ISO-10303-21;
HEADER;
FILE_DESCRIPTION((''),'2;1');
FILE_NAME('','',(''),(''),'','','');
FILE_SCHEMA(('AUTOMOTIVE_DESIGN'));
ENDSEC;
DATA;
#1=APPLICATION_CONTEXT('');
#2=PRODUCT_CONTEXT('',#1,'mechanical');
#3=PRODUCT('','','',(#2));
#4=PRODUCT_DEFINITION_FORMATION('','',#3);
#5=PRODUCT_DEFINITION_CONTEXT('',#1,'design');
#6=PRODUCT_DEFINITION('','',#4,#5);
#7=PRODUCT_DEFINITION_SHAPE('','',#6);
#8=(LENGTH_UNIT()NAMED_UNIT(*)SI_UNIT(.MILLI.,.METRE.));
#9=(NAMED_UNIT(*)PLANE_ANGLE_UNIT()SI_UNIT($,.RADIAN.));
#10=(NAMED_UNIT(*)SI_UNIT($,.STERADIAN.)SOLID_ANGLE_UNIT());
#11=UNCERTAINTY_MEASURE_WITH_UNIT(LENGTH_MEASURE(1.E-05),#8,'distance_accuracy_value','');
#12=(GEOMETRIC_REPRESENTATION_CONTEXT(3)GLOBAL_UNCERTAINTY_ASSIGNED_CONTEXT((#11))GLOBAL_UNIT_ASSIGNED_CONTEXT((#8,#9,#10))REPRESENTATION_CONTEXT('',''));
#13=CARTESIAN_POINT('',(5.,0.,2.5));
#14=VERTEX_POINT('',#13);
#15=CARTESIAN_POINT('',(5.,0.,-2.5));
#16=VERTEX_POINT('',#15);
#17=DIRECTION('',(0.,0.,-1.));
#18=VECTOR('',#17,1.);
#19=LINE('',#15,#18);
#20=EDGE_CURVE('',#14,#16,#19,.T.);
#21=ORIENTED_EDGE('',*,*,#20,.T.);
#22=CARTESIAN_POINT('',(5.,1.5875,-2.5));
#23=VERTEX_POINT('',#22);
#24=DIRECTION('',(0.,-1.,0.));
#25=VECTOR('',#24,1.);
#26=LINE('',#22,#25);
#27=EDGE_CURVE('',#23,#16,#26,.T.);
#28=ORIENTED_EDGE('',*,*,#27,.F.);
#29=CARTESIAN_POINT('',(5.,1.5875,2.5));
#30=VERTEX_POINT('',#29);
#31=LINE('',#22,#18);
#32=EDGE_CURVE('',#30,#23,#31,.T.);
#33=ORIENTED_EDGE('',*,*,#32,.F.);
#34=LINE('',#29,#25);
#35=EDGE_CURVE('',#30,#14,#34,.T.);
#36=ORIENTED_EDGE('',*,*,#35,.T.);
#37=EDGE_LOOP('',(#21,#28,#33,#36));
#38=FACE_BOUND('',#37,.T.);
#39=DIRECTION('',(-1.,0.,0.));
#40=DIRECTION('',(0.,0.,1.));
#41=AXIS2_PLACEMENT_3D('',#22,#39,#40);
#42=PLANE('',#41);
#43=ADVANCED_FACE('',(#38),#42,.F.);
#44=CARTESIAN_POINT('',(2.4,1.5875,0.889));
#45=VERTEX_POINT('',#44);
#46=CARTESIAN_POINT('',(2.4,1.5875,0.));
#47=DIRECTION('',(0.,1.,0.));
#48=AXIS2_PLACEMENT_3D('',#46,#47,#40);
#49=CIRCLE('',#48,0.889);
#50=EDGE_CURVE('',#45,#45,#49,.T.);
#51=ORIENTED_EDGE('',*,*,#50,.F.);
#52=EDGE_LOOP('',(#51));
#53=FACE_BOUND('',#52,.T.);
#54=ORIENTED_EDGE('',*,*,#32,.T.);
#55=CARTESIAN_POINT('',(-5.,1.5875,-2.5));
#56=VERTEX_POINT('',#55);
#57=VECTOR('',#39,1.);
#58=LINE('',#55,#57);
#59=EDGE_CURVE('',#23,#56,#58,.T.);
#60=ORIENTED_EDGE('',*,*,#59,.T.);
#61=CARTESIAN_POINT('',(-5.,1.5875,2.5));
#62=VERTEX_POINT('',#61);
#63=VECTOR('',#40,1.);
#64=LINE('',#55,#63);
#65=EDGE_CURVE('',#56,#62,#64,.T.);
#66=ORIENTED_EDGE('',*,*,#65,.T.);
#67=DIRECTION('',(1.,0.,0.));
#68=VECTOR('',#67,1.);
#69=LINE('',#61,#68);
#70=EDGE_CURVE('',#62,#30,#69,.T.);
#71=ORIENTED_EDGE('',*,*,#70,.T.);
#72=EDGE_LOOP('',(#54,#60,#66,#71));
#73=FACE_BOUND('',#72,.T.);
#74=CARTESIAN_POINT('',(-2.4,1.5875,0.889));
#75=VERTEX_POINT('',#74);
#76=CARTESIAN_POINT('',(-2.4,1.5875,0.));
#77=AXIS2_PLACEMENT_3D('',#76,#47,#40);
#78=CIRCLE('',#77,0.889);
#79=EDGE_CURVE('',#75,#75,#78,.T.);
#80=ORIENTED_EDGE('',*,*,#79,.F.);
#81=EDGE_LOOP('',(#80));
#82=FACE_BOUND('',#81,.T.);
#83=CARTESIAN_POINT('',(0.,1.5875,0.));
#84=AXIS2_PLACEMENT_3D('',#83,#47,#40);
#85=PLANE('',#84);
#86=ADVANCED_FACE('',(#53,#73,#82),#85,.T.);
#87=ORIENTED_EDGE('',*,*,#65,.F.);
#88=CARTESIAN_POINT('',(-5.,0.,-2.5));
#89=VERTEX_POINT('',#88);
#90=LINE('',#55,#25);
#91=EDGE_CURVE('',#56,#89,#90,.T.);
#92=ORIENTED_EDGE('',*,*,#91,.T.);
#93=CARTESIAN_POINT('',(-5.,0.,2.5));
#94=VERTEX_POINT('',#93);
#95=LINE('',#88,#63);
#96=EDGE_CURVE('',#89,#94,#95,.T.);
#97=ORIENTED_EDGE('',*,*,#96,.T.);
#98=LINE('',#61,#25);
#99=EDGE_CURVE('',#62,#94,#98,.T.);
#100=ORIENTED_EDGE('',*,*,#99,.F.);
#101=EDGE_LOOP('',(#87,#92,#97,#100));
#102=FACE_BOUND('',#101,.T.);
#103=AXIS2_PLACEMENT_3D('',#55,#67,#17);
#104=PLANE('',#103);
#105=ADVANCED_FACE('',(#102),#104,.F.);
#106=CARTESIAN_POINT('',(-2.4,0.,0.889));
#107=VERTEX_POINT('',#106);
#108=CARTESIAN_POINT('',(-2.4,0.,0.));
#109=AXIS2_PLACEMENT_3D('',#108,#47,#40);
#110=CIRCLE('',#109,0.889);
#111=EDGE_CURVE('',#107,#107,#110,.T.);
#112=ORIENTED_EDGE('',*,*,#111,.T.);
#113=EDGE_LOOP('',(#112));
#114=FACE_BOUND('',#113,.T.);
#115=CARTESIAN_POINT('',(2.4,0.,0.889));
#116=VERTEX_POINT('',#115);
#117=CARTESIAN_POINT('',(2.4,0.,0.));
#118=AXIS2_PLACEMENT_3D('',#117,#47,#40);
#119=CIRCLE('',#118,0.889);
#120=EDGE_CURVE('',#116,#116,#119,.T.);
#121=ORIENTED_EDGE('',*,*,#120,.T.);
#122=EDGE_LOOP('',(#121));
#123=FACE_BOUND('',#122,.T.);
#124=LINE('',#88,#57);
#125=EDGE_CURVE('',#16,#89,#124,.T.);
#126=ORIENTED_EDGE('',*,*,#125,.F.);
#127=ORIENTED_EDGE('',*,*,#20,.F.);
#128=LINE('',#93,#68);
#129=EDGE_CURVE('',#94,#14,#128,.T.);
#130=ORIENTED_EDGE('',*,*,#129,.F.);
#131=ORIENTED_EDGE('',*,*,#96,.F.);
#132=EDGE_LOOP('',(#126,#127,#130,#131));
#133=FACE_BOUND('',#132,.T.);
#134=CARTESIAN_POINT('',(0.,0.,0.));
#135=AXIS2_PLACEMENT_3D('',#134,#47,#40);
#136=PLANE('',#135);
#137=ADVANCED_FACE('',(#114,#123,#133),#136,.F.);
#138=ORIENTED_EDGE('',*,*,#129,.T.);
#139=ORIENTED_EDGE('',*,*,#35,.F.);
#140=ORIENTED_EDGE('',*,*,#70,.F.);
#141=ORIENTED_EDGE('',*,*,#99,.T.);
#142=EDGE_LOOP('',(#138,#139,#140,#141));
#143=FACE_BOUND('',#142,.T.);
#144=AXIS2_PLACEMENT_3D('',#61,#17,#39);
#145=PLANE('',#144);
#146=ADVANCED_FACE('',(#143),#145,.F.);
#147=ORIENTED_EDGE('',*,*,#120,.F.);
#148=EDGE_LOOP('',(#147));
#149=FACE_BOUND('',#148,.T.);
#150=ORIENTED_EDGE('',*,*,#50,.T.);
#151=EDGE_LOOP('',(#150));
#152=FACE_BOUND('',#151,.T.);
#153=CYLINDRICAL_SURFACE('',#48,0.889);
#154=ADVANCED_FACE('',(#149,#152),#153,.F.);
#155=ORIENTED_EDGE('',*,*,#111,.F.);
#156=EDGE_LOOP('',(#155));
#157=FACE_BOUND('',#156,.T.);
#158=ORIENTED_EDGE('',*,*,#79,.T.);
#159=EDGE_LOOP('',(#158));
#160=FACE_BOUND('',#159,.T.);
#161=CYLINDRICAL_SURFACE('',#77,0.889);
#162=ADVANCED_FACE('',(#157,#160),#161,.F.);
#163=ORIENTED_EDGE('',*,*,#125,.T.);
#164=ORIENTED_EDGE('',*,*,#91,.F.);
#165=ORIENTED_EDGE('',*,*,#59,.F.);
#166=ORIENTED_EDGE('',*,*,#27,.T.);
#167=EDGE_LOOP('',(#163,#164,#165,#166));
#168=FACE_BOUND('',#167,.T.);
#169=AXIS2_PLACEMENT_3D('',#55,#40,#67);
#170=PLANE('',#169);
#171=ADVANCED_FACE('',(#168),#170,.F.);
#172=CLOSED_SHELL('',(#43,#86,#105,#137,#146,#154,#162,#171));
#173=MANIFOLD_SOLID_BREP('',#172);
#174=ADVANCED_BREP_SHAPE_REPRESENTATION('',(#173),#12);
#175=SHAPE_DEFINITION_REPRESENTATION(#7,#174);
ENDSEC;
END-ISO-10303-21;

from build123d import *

# Parameters (mm, degrees)
SKETCH1_W                 = 10
SKETCH1_H                 = 5
BOSS_EXTRUDE1_DEPTH       = 1.5875
F_2_56_TAPPED_HOLE1_D     = 1.778
F_2_56_TAPPED_HOLE1_DEPTH = 5.73
F_2_56_TAPPED_HOLE1_TIP   = 0.53416509


with BuildPart() as part:
    # Sketch1 → Boss-Extrude1 (new body)
    with BuildSketch(Plane(origin=(0, 0, 0), x_dir=(1, 0, 0), z_dir=(0, 1, 0))):
        Rectangle(SKETCH1_W, SKETCH1_H)
    extrude(amount=BOSS_EXTRUDE1_DEPTH)

    # #2-56 Tapped Hole1
    with Locations(Plane(origin=(0, 1.5875, 0), x_dir=(1, 0, 0), z_dir=(0, 1, 0))):
        with Locations((-2.4, 0), (2.4, 0)):
            Hole(F_2_56_TAPPED_HOLE1_D / 2, depth=F_2_56_TAPPED_HOLE1_DEPTH)
            with Locations((0, 0, -(F_2_56_TAPPED_HOLE1_DEPTH + F_2_56_TAPPED_HOLE1_TIP / 2))):  # 118° drill point
                Cone(0, F_2_56_TAPPED_HOLE1_D / 2, F_2_56_TAPPED_HOLE1_TIP, mode=Mode.SUBTRACT)


solid = part.part
